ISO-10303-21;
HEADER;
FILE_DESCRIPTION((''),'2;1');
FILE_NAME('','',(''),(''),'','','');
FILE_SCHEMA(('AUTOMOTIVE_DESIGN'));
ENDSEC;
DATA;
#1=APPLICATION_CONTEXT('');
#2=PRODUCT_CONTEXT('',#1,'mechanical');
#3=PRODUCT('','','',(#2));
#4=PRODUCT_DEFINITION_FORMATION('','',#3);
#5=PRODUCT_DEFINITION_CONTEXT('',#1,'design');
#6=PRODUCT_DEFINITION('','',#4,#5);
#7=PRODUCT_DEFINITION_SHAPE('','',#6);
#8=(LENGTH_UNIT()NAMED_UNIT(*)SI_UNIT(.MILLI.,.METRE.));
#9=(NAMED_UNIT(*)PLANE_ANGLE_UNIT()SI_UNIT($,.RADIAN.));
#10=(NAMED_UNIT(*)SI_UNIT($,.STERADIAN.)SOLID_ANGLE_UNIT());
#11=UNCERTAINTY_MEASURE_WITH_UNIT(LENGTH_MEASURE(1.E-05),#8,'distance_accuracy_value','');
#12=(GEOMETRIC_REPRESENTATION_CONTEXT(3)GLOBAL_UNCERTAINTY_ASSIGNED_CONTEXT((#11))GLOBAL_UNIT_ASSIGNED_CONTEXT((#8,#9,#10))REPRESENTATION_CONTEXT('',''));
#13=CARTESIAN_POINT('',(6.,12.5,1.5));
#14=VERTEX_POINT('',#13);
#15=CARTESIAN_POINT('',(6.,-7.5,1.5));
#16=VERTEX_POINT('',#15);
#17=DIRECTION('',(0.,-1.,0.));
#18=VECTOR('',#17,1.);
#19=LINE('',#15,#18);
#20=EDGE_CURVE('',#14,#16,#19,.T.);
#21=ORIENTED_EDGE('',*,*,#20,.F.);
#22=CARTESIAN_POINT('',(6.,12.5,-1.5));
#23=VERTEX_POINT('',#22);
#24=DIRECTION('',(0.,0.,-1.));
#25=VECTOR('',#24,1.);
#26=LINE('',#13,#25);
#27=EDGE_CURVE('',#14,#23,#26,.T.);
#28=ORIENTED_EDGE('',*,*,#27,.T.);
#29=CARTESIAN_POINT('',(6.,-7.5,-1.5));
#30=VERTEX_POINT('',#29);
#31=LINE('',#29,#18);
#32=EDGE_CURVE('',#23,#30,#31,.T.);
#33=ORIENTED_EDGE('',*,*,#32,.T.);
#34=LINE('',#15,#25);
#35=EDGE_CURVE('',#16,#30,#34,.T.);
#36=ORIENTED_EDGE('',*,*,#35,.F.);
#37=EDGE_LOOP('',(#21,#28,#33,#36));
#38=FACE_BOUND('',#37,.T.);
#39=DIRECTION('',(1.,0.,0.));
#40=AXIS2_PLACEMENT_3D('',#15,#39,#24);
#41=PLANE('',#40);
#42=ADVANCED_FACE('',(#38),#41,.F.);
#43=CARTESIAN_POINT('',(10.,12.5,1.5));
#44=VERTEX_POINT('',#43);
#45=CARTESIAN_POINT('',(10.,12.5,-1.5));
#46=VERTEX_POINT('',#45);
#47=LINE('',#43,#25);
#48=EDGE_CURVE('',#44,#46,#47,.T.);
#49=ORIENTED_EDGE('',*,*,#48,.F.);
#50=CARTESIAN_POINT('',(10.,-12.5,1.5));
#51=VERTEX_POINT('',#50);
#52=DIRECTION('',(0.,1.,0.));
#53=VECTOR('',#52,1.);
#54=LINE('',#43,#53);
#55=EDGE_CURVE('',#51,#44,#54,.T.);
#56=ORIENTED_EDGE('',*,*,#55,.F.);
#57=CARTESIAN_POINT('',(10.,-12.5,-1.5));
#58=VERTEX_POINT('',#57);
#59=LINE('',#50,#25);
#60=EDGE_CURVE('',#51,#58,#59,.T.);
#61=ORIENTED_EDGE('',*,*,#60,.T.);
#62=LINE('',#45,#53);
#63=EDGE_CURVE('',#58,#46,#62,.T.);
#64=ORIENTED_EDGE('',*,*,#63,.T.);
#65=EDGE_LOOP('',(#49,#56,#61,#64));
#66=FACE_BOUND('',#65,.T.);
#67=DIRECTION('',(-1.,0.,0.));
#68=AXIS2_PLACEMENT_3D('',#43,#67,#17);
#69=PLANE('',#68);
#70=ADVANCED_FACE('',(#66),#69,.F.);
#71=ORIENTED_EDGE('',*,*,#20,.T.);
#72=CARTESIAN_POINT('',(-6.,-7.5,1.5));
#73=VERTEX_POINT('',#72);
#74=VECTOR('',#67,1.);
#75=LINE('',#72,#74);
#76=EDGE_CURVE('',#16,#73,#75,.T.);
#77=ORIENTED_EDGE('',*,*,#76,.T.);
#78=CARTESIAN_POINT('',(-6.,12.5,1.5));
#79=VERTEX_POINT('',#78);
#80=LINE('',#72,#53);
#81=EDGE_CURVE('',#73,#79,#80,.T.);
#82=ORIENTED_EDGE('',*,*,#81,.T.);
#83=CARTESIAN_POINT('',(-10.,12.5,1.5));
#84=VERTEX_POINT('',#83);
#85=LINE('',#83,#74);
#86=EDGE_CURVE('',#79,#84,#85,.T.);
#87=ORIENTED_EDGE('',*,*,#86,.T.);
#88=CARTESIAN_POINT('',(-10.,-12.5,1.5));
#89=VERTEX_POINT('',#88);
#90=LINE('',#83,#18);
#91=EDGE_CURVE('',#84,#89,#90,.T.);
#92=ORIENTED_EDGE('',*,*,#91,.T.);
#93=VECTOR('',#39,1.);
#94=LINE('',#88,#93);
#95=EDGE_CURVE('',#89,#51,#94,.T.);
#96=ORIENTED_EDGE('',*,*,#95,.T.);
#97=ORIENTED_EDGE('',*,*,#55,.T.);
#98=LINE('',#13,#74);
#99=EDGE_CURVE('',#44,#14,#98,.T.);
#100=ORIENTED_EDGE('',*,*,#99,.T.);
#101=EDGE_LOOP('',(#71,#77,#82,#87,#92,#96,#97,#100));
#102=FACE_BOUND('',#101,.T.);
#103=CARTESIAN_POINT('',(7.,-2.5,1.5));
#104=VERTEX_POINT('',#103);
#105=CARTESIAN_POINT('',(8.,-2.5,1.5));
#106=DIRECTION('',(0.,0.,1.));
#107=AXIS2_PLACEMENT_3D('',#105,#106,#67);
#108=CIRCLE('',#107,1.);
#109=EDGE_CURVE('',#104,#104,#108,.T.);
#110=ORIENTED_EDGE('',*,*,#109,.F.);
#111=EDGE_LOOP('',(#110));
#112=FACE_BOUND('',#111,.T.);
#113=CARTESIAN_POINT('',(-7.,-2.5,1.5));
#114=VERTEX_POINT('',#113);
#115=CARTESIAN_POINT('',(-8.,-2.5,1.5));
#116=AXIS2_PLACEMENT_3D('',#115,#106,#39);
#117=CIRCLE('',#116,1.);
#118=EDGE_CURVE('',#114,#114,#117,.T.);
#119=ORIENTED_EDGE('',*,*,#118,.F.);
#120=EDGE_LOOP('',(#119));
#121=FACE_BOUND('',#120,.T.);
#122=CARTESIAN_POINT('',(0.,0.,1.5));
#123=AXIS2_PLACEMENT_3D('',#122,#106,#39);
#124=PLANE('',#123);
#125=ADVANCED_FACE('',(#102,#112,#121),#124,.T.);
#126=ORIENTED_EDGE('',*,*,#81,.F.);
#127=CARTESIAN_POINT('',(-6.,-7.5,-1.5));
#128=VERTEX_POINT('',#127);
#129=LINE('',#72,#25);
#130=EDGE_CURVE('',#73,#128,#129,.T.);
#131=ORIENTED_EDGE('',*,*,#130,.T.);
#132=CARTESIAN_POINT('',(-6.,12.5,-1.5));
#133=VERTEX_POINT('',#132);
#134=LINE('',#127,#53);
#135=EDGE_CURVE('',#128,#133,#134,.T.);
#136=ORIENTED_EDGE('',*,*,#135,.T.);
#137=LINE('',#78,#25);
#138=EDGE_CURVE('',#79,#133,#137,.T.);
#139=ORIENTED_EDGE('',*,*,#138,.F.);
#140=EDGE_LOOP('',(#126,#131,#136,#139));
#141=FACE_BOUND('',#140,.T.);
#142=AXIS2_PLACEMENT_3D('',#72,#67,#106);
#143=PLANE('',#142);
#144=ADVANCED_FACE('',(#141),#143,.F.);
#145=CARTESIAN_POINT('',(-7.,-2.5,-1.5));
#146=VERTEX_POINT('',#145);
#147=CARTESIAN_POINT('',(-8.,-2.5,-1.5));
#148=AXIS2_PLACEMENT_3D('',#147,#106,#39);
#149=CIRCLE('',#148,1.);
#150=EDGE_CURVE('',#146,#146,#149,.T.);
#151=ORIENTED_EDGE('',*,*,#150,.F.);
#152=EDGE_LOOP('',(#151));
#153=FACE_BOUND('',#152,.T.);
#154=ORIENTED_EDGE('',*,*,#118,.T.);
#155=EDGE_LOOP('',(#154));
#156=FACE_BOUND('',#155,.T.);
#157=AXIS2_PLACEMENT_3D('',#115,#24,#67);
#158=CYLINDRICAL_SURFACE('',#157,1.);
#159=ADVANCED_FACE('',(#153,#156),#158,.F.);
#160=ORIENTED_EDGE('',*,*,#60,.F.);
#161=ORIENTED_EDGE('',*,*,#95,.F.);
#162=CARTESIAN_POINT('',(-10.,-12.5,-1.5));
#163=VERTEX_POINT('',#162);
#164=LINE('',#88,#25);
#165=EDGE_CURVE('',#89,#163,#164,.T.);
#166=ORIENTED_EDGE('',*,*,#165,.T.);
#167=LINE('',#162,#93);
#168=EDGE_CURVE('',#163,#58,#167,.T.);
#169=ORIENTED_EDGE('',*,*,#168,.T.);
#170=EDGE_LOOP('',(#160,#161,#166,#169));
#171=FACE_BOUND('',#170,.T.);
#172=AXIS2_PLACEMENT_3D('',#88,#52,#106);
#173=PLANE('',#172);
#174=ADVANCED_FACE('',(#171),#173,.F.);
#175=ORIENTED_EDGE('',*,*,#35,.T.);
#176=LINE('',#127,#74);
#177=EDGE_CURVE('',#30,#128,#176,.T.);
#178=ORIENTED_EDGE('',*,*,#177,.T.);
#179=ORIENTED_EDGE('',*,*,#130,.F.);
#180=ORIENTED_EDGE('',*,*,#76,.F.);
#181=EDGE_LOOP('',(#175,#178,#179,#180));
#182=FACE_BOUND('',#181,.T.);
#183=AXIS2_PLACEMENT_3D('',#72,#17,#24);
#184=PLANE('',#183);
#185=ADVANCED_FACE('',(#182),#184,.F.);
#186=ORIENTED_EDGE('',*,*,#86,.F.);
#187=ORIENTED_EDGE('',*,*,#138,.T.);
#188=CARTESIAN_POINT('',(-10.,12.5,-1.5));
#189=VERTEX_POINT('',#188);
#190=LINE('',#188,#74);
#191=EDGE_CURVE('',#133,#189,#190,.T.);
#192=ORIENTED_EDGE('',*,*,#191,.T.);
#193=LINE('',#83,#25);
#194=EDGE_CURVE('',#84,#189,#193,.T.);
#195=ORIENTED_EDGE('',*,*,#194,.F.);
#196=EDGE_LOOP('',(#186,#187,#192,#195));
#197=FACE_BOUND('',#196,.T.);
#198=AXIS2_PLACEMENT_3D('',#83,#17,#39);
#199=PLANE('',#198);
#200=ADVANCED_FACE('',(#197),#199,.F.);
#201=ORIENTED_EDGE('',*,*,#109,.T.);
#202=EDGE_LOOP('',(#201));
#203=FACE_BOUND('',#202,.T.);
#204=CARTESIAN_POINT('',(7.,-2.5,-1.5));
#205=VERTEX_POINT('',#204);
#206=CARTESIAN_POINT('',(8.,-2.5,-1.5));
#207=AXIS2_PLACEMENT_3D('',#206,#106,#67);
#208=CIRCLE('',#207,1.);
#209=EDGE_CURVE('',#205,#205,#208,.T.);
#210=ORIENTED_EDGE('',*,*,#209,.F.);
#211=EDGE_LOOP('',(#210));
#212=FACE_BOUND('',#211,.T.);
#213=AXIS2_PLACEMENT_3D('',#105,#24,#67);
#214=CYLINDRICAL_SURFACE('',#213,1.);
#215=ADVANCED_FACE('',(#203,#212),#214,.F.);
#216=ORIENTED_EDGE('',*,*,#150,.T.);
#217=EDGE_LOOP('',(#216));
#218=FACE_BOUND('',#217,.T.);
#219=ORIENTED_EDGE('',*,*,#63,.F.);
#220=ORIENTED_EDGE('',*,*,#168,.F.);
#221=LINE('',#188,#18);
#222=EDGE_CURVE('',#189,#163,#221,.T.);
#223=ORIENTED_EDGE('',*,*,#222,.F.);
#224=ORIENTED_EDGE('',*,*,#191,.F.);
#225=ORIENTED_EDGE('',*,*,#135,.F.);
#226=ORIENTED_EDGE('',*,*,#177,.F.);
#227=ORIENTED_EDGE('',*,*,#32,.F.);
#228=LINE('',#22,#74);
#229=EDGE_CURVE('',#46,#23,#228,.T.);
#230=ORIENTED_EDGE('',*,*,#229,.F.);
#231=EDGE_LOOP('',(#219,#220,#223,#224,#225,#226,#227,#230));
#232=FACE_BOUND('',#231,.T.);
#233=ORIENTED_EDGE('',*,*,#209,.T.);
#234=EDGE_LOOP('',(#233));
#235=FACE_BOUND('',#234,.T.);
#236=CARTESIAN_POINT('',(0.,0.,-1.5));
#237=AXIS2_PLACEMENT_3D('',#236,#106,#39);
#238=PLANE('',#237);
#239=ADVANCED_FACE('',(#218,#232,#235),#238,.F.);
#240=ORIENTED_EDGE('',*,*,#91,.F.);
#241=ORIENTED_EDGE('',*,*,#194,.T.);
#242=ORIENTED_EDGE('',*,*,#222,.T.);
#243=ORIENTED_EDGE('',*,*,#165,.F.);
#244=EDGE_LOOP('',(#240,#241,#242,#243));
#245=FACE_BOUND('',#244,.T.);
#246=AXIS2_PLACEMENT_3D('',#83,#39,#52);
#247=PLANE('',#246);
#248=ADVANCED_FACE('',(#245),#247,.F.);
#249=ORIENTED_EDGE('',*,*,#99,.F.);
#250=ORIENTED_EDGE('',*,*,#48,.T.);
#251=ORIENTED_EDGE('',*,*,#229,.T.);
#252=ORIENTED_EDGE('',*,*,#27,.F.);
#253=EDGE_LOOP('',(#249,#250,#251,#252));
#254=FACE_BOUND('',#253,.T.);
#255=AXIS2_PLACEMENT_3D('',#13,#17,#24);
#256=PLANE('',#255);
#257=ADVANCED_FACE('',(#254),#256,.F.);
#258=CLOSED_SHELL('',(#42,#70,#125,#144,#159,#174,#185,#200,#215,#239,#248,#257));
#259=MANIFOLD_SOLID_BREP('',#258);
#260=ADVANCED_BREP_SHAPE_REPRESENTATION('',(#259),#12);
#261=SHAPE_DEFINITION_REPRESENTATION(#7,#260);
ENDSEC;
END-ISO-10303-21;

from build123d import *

# Parameters (mm, degrees)
SKETCH3_R           = 1
BOSS_EXTRUDE1_DEPTH = 1.5


with BuildPart() as part:
    # Sketch3 → Boss-Extrude1 (new, symmetric)
    with BuildSketch(Plane.XY):
        Polygon((-6, -7.5), (-6, 12.5), (-10, 12.5), (-10, -12.5), (10, -12.5), (10, 12.5), (6, 12.5), (6, -7.5), align=None)
        with Locations((-8, -2.5)):
            Circle(SKETCH3_R, mode=Mode.SUBTRACT)
        with Locations(Location((8, -2.5, 0), (0, 0, 180))):
            Circle(SKETCH3_R, mode=Mode.SUBTRACT)
    extrude(amount=BOSS_EXTRUDE1_DEPTH, both=True)


solid = part.part
